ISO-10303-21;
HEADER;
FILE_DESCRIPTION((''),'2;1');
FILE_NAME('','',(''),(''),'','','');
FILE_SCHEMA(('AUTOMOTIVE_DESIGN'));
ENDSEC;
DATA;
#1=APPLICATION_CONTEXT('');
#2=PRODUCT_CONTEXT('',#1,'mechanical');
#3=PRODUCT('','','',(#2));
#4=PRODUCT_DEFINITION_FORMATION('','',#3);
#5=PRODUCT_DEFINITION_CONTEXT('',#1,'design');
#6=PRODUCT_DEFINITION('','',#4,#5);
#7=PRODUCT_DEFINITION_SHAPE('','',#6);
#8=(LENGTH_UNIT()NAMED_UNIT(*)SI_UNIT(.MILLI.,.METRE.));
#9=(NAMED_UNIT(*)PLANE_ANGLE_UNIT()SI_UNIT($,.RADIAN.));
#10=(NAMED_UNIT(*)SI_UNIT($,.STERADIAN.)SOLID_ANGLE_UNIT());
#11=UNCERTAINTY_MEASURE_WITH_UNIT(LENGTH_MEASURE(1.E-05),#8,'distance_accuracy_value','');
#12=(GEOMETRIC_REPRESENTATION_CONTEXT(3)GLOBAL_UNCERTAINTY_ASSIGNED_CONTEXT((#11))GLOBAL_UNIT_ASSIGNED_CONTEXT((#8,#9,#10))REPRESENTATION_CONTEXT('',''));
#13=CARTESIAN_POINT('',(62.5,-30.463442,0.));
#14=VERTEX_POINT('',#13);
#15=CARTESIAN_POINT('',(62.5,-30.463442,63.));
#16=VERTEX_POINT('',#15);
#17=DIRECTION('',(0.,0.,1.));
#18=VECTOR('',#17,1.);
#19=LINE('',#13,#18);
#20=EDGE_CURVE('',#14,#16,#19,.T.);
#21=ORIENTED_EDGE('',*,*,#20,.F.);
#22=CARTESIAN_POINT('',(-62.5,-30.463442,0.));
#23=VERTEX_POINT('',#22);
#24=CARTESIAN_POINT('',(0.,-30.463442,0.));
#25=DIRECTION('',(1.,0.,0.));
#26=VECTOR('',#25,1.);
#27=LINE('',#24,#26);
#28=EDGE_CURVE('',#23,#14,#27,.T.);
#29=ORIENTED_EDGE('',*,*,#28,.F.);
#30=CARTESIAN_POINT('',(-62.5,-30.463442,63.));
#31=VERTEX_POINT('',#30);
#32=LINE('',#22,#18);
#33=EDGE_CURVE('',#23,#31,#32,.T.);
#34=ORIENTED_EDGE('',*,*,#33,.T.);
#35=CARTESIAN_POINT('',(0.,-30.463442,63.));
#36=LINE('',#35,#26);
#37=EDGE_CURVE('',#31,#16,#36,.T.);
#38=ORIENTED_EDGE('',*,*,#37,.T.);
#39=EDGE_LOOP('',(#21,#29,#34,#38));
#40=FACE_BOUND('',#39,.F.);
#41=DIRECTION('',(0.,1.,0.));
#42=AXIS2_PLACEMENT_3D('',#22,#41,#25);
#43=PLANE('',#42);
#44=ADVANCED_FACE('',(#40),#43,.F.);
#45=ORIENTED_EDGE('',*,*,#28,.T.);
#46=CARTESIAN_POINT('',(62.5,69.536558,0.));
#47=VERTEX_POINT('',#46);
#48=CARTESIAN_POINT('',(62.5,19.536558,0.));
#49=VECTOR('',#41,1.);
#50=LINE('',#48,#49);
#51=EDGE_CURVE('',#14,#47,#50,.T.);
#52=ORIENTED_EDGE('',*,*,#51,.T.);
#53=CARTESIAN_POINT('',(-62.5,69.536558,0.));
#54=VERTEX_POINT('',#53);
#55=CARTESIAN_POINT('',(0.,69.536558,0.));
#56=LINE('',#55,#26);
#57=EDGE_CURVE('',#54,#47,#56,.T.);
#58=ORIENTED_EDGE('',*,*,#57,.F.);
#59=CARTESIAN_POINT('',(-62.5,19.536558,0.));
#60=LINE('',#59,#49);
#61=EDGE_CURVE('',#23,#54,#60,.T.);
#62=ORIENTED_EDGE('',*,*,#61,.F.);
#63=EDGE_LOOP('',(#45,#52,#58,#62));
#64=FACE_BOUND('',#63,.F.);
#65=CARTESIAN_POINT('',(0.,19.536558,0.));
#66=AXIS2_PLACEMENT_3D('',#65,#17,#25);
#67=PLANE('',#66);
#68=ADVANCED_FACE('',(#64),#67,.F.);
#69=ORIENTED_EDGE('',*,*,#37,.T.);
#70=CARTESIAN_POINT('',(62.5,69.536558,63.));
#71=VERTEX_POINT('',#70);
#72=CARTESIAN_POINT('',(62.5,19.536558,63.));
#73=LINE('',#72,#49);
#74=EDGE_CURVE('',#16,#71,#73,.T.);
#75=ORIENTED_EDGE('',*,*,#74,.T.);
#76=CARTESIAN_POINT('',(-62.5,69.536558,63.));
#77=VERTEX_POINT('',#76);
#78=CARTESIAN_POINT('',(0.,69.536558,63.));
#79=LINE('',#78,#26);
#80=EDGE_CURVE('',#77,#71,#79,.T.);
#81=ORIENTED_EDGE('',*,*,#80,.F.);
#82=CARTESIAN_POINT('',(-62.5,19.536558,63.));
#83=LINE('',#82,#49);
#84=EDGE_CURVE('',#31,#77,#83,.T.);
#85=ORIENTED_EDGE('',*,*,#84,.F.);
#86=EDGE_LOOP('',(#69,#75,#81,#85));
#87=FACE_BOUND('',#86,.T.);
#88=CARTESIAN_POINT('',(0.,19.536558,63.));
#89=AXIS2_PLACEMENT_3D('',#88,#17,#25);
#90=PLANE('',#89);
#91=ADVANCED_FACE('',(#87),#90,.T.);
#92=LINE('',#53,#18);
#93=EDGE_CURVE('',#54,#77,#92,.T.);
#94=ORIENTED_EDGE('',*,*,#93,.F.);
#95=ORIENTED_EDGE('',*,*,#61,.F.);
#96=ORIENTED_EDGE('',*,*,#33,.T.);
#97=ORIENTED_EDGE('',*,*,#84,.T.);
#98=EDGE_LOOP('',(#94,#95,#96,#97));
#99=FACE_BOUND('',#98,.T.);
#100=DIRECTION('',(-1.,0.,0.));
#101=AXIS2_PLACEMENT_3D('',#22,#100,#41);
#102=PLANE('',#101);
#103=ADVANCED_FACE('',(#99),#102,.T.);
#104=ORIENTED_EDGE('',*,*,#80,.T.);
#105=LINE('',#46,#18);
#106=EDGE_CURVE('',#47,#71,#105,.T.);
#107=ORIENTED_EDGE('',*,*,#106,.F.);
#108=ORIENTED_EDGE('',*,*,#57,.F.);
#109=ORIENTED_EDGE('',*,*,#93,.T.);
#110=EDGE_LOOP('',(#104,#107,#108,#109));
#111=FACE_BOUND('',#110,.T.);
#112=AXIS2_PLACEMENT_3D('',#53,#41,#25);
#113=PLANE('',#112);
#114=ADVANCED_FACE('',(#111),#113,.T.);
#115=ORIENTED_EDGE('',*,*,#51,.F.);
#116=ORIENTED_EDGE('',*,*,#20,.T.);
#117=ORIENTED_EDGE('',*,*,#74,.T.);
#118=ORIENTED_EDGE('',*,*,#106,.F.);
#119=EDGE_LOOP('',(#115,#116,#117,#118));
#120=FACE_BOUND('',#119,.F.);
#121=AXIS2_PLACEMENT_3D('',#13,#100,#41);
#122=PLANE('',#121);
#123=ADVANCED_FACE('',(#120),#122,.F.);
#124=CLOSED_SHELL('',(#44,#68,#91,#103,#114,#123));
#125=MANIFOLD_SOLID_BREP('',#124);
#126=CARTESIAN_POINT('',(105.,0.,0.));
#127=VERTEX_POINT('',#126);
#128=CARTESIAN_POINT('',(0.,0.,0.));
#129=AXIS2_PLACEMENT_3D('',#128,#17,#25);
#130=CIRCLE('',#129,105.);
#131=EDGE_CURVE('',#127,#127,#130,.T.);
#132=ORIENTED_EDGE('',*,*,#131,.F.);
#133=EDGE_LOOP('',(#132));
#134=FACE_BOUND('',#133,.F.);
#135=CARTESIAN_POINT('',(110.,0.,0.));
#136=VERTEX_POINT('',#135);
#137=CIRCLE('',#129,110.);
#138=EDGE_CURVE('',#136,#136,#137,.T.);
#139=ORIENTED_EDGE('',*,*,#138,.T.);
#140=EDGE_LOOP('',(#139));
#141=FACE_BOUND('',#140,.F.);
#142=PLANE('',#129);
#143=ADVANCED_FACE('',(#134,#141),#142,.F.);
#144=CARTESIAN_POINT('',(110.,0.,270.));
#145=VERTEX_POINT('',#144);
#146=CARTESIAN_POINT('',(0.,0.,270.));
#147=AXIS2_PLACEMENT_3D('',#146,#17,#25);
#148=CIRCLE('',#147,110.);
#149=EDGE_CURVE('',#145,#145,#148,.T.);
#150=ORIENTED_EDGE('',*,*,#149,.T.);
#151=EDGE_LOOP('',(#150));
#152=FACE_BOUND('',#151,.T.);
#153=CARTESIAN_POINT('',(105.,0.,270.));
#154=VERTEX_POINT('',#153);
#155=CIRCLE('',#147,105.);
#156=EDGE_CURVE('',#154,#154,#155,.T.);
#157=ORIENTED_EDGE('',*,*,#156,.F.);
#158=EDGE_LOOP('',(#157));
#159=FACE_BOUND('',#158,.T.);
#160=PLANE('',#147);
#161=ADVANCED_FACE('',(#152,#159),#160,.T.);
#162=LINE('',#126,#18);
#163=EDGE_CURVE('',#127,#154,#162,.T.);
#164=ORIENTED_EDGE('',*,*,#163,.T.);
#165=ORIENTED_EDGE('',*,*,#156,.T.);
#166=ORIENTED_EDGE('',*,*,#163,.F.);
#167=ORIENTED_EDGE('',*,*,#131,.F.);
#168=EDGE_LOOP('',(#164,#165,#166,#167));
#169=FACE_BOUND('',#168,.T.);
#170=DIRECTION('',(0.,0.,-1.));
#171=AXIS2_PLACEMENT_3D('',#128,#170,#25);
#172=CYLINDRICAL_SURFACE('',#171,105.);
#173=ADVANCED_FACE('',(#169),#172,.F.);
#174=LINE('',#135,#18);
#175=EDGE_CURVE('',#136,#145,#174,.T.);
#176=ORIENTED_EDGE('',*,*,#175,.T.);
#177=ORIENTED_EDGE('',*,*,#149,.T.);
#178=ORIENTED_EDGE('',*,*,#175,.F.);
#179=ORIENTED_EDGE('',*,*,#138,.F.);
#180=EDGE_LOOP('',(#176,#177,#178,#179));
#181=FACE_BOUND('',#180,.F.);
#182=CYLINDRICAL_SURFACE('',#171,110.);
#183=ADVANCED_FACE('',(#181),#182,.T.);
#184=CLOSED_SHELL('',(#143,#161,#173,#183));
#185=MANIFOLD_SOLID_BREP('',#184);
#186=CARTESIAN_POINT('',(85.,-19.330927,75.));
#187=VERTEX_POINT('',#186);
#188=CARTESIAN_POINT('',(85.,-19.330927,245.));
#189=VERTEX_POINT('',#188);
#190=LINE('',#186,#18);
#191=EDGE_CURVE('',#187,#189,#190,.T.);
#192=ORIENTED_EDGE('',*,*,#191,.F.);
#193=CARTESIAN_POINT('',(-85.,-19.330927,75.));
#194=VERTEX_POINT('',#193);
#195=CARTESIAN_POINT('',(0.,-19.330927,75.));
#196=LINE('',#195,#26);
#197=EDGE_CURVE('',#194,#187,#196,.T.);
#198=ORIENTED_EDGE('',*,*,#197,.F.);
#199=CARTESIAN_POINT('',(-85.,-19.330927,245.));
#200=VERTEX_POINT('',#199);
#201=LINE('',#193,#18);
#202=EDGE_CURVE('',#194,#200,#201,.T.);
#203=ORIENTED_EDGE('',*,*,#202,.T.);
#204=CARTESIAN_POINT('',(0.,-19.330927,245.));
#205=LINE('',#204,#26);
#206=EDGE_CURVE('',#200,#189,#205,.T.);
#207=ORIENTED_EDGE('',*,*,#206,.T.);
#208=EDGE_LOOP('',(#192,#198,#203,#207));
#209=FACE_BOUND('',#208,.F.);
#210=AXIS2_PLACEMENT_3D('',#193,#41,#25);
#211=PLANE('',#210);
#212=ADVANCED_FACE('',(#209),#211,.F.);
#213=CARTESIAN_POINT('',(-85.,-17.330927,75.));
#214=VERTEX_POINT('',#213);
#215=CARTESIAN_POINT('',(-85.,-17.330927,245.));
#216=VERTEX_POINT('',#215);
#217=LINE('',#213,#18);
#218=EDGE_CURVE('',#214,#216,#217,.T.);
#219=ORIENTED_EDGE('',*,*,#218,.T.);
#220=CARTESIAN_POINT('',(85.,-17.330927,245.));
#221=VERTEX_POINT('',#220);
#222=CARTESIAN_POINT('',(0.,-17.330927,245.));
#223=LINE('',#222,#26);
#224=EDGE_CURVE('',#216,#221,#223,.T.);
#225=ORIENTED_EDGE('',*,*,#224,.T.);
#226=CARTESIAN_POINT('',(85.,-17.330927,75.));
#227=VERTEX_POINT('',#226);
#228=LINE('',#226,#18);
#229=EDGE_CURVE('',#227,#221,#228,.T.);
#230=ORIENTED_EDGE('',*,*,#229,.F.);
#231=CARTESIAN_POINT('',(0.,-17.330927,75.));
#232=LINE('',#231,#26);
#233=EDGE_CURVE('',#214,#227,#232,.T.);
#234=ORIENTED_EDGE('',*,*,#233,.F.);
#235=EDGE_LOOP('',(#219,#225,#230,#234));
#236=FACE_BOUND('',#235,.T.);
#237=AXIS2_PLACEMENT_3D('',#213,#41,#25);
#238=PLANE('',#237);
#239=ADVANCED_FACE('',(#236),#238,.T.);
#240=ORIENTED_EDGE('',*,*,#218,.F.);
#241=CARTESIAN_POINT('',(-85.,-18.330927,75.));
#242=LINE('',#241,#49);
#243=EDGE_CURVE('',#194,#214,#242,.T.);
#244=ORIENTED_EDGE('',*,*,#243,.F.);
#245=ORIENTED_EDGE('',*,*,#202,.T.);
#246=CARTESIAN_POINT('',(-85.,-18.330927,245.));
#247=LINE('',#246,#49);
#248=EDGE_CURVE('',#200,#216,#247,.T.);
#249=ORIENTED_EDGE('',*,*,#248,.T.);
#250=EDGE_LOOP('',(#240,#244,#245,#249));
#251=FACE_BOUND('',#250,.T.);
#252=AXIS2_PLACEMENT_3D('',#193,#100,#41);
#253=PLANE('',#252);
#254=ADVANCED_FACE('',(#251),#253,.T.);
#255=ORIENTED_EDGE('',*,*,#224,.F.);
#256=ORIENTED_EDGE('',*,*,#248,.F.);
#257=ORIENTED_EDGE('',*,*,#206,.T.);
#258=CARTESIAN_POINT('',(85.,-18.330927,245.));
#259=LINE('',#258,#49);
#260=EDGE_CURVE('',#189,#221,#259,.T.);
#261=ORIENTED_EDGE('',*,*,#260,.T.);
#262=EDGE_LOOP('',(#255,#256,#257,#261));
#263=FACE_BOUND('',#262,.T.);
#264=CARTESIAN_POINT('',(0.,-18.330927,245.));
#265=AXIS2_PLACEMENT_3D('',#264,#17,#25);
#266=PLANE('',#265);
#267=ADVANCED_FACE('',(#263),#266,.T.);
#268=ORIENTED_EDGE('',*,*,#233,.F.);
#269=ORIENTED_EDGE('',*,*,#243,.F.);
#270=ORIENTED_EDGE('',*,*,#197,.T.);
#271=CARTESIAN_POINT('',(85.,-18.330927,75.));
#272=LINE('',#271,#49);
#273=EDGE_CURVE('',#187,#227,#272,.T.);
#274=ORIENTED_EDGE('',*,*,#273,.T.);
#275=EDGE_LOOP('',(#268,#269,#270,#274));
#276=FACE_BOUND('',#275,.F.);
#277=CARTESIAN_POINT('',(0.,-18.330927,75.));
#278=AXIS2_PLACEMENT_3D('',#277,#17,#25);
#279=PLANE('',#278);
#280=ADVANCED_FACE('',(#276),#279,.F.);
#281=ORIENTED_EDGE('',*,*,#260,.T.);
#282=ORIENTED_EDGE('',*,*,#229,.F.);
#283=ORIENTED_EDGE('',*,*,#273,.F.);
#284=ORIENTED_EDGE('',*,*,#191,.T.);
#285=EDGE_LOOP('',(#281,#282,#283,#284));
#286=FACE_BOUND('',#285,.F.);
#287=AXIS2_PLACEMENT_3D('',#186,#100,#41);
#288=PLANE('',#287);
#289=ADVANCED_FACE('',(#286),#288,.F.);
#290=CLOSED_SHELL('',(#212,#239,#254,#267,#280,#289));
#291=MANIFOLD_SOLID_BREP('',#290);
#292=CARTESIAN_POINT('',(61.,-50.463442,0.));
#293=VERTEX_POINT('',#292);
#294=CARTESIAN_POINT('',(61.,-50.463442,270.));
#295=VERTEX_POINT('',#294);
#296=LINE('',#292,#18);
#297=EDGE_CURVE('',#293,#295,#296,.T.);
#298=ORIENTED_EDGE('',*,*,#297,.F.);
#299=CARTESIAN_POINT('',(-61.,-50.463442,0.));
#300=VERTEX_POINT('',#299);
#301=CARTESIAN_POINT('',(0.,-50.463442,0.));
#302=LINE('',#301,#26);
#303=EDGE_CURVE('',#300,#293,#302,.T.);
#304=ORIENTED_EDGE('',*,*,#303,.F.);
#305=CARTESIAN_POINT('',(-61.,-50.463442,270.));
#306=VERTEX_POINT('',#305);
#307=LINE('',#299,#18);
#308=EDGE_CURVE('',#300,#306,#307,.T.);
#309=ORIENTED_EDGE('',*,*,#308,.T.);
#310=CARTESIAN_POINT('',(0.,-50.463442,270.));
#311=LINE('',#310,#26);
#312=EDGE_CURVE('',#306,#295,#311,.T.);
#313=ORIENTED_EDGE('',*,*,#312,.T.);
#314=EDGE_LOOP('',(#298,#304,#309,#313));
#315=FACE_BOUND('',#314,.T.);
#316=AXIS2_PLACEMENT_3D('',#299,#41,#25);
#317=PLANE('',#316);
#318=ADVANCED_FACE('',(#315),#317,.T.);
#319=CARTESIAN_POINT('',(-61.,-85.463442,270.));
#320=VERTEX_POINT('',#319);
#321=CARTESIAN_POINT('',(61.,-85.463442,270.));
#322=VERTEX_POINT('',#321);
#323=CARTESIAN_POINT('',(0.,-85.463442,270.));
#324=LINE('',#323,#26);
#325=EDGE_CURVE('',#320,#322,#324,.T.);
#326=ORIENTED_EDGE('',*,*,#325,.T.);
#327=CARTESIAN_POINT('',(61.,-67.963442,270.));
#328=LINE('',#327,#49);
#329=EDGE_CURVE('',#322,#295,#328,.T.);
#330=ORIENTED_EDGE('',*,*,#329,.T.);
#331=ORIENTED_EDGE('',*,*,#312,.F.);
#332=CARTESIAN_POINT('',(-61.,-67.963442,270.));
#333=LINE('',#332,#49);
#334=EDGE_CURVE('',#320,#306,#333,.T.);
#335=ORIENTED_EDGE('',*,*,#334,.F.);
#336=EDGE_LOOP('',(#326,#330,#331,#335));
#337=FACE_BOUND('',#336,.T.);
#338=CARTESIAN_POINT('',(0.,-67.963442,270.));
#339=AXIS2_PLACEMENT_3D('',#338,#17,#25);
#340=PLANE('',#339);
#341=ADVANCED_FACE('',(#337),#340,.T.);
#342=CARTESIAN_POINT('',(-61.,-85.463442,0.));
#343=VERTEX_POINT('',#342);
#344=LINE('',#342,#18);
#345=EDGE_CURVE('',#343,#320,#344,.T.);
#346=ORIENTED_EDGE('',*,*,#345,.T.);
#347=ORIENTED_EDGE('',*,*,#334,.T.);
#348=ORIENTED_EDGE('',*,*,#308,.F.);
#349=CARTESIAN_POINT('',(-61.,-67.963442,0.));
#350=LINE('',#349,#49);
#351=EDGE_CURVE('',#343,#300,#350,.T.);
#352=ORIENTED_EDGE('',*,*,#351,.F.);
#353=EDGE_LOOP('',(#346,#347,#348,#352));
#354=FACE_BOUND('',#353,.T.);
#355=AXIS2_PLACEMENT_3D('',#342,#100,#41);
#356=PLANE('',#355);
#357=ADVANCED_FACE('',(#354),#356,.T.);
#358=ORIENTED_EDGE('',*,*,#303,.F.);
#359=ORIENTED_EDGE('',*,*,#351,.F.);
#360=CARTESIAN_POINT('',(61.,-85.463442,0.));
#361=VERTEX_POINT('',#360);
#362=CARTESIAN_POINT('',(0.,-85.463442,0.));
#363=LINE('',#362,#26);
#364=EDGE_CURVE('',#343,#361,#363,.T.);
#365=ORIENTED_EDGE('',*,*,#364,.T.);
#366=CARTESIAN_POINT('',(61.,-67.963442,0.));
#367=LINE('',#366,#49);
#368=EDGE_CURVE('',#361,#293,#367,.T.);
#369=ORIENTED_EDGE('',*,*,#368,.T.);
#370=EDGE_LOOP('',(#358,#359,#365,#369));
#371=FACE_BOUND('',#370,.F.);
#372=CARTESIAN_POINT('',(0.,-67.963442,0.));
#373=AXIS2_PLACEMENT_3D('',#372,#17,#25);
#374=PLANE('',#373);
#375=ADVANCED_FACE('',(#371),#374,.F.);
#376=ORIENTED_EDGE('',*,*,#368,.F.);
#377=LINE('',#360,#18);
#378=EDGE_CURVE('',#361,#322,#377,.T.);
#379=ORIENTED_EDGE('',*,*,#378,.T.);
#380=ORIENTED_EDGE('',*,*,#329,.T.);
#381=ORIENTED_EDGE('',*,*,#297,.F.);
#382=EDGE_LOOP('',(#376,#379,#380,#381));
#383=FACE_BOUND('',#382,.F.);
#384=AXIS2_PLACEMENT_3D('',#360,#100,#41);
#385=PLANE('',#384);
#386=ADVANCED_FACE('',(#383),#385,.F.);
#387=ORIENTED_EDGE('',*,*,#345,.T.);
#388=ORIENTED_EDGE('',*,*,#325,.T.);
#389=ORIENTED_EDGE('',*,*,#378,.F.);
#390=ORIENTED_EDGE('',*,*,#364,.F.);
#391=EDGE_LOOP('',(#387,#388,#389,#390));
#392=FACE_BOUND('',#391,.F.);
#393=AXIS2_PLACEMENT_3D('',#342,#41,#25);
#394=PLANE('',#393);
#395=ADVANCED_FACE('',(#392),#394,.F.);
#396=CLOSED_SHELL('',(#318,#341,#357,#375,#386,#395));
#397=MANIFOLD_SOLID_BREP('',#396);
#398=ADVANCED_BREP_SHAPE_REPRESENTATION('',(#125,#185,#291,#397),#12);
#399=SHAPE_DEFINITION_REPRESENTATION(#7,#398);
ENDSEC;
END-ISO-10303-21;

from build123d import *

# Parameters (mm, degrees)
F1_W     = 125
F1_H     = 100
F2_DEPTH = 63
F4_W     = 170
F4_H     = 2
F5_DEPTH = 170
F0_W     = 122
F0_H     = 35
F6_DEPTH = 270
F7_R     = 110
F7_R_2   = 105
F8_DEPTH = 270


with BuildPart() as f2:
    # F1 (on Top) → F2 (new body)
    with BuildSketch(Plane.XY):
        with Locations((0, 19.536558)):
            Rectangle(F1_W, F1_H)
    extrude(amount=F2_DEPTH)


with BuildPart() as f5:
    # F4 (on offset) → F5 (new body)
    with BuildSketch(Plane.XY.offset(75)):
        with Locations((0, -18.330927)):
            Rectangle(F4_W, F4_H)
    extrude(amount=F5_DEPTH)


with BuildPart() as f6:
    # F0 (on Top) → F6 (new body)
    with BuildSketch(Plane.XY):
        with Locations((0, -67.963442)):
            Rectangle(F0_W, F0_H)
    extrude(amount=F6_DEPTH)


with BuildPart() as f8:
    # F7 (on Top) → F8 (new body)
    with BuildSketch(Plane.XY):
        Circle(F7_R)
        Circle(F7_R_2, mode=Mode.SUBTRACT)
    extrude(amount=F8_DEPTH)


solid = Compound([f2.part, f5.part, f6.part, f8.part])
